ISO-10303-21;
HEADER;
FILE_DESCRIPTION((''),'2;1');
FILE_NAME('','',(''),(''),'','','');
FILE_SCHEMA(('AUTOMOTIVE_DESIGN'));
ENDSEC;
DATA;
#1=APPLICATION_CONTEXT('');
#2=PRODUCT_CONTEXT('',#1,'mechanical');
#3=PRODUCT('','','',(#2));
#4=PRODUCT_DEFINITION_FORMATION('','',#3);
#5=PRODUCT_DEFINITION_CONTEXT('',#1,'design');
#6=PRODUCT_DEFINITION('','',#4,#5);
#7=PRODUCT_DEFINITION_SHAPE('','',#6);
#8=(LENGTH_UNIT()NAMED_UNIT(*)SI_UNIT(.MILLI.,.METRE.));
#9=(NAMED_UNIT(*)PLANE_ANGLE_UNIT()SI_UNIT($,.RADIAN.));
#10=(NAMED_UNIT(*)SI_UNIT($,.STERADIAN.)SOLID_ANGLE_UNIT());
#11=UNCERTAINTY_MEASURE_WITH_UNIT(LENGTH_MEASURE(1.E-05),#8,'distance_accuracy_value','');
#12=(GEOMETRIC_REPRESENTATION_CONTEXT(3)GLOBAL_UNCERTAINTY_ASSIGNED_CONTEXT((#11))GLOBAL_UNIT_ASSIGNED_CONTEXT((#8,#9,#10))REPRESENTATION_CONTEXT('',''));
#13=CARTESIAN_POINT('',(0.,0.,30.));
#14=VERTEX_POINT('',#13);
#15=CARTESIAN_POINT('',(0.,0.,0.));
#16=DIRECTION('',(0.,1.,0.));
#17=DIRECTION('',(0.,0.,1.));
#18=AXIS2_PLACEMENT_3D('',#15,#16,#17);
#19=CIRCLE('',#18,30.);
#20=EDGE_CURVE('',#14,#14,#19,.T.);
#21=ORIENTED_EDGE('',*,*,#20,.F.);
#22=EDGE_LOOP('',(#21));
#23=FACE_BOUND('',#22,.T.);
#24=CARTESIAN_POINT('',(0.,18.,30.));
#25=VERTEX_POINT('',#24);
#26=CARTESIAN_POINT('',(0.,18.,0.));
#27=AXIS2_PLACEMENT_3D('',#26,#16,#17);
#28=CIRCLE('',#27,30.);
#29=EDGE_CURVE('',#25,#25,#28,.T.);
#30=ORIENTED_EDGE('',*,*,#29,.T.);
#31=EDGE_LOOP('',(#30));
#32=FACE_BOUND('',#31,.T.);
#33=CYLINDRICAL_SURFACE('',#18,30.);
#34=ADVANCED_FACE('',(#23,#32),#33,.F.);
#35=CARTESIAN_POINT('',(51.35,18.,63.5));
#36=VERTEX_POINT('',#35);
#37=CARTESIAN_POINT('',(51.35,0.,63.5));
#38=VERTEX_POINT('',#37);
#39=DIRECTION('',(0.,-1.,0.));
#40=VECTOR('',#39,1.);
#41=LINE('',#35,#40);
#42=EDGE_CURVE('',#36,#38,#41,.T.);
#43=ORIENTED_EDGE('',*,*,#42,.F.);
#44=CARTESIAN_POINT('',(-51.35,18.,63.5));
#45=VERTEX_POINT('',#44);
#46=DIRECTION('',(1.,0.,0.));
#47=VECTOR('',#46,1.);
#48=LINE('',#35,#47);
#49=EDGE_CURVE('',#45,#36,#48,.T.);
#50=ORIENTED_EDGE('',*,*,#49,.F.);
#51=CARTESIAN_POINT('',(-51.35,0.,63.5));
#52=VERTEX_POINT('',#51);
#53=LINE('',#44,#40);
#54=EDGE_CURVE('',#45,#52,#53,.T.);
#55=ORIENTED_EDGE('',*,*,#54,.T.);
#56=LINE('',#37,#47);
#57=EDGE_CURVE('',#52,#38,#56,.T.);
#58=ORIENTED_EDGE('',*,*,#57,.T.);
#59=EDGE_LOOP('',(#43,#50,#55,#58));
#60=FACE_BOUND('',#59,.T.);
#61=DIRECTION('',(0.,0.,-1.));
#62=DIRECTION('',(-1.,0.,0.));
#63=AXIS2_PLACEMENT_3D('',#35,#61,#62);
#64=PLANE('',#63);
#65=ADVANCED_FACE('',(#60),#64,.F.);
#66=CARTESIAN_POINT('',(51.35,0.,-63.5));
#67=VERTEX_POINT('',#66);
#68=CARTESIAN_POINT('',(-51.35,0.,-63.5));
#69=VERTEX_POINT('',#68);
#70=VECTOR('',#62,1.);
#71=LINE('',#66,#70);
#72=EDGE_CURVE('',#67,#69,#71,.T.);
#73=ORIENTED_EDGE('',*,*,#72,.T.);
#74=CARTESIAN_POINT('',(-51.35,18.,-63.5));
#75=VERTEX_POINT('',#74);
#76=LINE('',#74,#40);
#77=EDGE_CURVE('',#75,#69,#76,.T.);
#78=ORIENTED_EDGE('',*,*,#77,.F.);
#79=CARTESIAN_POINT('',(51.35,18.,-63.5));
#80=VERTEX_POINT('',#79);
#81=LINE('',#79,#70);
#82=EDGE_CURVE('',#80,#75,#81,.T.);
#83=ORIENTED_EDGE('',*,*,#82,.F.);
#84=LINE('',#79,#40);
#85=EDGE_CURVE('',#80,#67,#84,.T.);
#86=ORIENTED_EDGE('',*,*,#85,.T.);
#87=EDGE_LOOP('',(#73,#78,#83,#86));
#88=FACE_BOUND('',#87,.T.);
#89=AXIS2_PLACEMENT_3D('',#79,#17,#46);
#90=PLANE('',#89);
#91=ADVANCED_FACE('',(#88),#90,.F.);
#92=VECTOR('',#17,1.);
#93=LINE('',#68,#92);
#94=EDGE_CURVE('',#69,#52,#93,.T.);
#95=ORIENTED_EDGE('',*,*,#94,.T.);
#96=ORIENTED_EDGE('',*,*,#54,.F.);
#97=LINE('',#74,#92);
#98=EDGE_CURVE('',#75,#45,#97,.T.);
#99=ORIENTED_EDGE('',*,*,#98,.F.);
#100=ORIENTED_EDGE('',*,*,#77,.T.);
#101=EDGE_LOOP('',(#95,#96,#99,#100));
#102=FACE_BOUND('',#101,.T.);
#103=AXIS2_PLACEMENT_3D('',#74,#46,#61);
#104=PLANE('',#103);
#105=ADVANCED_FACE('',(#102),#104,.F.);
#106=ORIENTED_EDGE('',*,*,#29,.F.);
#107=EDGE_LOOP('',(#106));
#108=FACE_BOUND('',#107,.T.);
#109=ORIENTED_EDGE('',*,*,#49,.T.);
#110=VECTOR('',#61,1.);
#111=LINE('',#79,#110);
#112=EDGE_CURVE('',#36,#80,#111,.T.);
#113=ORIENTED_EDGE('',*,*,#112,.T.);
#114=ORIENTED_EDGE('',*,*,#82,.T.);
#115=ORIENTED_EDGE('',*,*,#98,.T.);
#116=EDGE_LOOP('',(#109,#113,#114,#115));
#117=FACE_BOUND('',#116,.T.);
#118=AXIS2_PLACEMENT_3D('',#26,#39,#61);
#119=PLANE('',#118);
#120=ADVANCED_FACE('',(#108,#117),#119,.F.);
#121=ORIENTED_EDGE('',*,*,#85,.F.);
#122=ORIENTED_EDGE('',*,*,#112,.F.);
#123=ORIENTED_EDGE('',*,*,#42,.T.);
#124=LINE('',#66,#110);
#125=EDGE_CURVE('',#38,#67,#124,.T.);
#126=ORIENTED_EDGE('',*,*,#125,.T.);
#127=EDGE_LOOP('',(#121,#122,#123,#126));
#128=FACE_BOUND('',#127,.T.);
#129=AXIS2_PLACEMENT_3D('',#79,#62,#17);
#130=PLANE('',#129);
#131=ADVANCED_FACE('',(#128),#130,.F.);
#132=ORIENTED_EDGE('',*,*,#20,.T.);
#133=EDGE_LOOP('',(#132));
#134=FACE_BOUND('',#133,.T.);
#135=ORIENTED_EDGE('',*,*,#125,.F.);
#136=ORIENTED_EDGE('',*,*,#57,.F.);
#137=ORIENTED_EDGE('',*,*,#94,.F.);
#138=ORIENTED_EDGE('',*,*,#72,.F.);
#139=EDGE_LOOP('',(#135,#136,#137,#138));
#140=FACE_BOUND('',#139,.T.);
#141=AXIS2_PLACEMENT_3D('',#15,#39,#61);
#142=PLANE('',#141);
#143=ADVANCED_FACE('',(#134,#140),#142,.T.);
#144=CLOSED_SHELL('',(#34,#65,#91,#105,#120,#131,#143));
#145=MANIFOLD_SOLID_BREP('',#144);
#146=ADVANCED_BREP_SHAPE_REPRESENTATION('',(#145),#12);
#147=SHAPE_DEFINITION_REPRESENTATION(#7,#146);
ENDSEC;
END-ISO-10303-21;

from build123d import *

# Parameters (mm, degrees)
SKETCH1_W           = 102.7
SKETCH1_H           = 127
BOSS_EXTRUDE1_DEPTH = 18
SKETCH2_R           = 30
CUT_EXTRUDE1_DEPTH  = 19


with BuildPart() as part:
    # Sketch1 → Boss-Extrude1 (new body)
    with BuildSketch(Plane(origin=(0, 0, 0), x_dir=(1, 0, 0), z_dir=(0, 1, 0))):
        Rectangle(SKETCH1_W, SKETCH1_H)
    extrude(amount=BOSS_EXTRUDE1_DEPTH)

    # Sketch2 → Cut-Extrude1 (cut, through all)
    with BuildSketch(Plane(origin=(0, 18, 0), x_dir=(1, 0, 0), z_dir=(0, 1, 0))):
        Circle(SKETCH2_R)
    extrude(amount=-CUT_EXTRUDE1_DEPTH, mode=Mode.SUBTRACT)


solid = part.part
